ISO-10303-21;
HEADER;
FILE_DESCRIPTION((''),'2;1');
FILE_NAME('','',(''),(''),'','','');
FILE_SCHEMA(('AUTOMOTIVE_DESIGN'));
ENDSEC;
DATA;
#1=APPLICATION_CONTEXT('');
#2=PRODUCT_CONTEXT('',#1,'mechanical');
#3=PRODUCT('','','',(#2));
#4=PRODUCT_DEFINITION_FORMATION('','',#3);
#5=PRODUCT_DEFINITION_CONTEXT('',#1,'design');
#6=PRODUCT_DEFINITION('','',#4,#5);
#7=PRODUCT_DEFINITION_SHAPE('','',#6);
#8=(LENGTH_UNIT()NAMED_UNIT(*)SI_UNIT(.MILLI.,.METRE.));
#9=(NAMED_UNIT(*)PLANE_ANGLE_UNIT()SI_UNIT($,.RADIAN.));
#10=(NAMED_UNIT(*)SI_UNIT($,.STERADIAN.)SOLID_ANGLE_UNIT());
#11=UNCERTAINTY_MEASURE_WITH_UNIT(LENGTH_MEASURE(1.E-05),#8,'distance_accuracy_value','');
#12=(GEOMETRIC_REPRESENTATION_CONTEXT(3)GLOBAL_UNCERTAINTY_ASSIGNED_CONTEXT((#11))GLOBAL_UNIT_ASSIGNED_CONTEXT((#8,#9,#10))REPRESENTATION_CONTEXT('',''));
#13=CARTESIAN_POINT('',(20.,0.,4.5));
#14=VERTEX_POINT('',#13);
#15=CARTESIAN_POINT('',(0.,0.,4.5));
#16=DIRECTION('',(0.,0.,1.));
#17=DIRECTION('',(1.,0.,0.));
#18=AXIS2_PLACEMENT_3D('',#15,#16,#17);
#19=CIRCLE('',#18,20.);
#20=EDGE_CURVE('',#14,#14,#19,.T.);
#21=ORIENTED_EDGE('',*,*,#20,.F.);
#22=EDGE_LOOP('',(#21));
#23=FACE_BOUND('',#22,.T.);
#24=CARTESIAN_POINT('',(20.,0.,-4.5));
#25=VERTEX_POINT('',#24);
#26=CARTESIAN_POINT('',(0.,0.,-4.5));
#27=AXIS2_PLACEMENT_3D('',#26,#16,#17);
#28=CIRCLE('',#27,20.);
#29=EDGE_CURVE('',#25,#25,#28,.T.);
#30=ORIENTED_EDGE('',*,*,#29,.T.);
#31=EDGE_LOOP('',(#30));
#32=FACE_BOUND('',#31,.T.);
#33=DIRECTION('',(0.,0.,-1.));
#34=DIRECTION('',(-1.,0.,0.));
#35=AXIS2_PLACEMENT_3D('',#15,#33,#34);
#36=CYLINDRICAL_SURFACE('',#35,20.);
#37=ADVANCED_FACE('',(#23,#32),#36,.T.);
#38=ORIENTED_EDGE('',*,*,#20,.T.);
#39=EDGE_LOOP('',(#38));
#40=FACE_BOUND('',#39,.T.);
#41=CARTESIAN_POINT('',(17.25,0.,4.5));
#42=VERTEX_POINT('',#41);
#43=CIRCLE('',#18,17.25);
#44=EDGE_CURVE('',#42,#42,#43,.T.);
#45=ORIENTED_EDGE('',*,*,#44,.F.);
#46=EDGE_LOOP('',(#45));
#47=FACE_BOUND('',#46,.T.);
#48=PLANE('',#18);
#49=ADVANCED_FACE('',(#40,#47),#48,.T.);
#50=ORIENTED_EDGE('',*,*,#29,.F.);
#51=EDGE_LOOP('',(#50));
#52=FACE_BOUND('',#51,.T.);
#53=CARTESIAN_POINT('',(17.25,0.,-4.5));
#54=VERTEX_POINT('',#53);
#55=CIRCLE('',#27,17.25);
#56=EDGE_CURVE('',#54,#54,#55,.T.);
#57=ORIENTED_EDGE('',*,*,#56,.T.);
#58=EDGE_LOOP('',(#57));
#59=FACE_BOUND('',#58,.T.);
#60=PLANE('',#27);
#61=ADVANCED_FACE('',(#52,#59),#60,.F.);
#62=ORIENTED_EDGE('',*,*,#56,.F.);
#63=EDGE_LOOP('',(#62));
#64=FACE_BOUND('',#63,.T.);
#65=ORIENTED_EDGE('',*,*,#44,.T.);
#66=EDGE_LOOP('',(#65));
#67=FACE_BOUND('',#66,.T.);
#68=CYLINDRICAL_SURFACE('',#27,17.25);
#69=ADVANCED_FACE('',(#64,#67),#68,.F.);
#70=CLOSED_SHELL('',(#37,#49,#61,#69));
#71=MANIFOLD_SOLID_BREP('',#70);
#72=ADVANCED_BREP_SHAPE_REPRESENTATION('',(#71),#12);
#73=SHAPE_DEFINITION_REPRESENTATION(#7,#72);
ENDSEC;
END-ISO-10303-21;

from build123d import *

# Parameters (mm, degrees)
SKETCH1_R           = 20
BOSS_EXTRUDE1_DEPTH = 4.5
SKETCH2_R           = 17.25
CUT_EXTRUDE1_DEPTH  = 9


with BuildPart() as part:
    # Sketch1 → Boss-Extrude1 (new body, symmetric)
    with BuildSketch(Plane.XY):
        Circle(SKETCH1_R)
    extrude(amount=BOSS_EXTRUDE1_DEPTH, both=True)

    # Sketch2 → Cut-Extrude1 (cut)
    with BuildSketch(Plane.XY.offset(4.5)):
        Circle(SKETCH2_R)
    extrude(amount=-CUT_EXTRUDE1_DEPTH, mode=Mode.SUBTRACT)


solid = part.part
